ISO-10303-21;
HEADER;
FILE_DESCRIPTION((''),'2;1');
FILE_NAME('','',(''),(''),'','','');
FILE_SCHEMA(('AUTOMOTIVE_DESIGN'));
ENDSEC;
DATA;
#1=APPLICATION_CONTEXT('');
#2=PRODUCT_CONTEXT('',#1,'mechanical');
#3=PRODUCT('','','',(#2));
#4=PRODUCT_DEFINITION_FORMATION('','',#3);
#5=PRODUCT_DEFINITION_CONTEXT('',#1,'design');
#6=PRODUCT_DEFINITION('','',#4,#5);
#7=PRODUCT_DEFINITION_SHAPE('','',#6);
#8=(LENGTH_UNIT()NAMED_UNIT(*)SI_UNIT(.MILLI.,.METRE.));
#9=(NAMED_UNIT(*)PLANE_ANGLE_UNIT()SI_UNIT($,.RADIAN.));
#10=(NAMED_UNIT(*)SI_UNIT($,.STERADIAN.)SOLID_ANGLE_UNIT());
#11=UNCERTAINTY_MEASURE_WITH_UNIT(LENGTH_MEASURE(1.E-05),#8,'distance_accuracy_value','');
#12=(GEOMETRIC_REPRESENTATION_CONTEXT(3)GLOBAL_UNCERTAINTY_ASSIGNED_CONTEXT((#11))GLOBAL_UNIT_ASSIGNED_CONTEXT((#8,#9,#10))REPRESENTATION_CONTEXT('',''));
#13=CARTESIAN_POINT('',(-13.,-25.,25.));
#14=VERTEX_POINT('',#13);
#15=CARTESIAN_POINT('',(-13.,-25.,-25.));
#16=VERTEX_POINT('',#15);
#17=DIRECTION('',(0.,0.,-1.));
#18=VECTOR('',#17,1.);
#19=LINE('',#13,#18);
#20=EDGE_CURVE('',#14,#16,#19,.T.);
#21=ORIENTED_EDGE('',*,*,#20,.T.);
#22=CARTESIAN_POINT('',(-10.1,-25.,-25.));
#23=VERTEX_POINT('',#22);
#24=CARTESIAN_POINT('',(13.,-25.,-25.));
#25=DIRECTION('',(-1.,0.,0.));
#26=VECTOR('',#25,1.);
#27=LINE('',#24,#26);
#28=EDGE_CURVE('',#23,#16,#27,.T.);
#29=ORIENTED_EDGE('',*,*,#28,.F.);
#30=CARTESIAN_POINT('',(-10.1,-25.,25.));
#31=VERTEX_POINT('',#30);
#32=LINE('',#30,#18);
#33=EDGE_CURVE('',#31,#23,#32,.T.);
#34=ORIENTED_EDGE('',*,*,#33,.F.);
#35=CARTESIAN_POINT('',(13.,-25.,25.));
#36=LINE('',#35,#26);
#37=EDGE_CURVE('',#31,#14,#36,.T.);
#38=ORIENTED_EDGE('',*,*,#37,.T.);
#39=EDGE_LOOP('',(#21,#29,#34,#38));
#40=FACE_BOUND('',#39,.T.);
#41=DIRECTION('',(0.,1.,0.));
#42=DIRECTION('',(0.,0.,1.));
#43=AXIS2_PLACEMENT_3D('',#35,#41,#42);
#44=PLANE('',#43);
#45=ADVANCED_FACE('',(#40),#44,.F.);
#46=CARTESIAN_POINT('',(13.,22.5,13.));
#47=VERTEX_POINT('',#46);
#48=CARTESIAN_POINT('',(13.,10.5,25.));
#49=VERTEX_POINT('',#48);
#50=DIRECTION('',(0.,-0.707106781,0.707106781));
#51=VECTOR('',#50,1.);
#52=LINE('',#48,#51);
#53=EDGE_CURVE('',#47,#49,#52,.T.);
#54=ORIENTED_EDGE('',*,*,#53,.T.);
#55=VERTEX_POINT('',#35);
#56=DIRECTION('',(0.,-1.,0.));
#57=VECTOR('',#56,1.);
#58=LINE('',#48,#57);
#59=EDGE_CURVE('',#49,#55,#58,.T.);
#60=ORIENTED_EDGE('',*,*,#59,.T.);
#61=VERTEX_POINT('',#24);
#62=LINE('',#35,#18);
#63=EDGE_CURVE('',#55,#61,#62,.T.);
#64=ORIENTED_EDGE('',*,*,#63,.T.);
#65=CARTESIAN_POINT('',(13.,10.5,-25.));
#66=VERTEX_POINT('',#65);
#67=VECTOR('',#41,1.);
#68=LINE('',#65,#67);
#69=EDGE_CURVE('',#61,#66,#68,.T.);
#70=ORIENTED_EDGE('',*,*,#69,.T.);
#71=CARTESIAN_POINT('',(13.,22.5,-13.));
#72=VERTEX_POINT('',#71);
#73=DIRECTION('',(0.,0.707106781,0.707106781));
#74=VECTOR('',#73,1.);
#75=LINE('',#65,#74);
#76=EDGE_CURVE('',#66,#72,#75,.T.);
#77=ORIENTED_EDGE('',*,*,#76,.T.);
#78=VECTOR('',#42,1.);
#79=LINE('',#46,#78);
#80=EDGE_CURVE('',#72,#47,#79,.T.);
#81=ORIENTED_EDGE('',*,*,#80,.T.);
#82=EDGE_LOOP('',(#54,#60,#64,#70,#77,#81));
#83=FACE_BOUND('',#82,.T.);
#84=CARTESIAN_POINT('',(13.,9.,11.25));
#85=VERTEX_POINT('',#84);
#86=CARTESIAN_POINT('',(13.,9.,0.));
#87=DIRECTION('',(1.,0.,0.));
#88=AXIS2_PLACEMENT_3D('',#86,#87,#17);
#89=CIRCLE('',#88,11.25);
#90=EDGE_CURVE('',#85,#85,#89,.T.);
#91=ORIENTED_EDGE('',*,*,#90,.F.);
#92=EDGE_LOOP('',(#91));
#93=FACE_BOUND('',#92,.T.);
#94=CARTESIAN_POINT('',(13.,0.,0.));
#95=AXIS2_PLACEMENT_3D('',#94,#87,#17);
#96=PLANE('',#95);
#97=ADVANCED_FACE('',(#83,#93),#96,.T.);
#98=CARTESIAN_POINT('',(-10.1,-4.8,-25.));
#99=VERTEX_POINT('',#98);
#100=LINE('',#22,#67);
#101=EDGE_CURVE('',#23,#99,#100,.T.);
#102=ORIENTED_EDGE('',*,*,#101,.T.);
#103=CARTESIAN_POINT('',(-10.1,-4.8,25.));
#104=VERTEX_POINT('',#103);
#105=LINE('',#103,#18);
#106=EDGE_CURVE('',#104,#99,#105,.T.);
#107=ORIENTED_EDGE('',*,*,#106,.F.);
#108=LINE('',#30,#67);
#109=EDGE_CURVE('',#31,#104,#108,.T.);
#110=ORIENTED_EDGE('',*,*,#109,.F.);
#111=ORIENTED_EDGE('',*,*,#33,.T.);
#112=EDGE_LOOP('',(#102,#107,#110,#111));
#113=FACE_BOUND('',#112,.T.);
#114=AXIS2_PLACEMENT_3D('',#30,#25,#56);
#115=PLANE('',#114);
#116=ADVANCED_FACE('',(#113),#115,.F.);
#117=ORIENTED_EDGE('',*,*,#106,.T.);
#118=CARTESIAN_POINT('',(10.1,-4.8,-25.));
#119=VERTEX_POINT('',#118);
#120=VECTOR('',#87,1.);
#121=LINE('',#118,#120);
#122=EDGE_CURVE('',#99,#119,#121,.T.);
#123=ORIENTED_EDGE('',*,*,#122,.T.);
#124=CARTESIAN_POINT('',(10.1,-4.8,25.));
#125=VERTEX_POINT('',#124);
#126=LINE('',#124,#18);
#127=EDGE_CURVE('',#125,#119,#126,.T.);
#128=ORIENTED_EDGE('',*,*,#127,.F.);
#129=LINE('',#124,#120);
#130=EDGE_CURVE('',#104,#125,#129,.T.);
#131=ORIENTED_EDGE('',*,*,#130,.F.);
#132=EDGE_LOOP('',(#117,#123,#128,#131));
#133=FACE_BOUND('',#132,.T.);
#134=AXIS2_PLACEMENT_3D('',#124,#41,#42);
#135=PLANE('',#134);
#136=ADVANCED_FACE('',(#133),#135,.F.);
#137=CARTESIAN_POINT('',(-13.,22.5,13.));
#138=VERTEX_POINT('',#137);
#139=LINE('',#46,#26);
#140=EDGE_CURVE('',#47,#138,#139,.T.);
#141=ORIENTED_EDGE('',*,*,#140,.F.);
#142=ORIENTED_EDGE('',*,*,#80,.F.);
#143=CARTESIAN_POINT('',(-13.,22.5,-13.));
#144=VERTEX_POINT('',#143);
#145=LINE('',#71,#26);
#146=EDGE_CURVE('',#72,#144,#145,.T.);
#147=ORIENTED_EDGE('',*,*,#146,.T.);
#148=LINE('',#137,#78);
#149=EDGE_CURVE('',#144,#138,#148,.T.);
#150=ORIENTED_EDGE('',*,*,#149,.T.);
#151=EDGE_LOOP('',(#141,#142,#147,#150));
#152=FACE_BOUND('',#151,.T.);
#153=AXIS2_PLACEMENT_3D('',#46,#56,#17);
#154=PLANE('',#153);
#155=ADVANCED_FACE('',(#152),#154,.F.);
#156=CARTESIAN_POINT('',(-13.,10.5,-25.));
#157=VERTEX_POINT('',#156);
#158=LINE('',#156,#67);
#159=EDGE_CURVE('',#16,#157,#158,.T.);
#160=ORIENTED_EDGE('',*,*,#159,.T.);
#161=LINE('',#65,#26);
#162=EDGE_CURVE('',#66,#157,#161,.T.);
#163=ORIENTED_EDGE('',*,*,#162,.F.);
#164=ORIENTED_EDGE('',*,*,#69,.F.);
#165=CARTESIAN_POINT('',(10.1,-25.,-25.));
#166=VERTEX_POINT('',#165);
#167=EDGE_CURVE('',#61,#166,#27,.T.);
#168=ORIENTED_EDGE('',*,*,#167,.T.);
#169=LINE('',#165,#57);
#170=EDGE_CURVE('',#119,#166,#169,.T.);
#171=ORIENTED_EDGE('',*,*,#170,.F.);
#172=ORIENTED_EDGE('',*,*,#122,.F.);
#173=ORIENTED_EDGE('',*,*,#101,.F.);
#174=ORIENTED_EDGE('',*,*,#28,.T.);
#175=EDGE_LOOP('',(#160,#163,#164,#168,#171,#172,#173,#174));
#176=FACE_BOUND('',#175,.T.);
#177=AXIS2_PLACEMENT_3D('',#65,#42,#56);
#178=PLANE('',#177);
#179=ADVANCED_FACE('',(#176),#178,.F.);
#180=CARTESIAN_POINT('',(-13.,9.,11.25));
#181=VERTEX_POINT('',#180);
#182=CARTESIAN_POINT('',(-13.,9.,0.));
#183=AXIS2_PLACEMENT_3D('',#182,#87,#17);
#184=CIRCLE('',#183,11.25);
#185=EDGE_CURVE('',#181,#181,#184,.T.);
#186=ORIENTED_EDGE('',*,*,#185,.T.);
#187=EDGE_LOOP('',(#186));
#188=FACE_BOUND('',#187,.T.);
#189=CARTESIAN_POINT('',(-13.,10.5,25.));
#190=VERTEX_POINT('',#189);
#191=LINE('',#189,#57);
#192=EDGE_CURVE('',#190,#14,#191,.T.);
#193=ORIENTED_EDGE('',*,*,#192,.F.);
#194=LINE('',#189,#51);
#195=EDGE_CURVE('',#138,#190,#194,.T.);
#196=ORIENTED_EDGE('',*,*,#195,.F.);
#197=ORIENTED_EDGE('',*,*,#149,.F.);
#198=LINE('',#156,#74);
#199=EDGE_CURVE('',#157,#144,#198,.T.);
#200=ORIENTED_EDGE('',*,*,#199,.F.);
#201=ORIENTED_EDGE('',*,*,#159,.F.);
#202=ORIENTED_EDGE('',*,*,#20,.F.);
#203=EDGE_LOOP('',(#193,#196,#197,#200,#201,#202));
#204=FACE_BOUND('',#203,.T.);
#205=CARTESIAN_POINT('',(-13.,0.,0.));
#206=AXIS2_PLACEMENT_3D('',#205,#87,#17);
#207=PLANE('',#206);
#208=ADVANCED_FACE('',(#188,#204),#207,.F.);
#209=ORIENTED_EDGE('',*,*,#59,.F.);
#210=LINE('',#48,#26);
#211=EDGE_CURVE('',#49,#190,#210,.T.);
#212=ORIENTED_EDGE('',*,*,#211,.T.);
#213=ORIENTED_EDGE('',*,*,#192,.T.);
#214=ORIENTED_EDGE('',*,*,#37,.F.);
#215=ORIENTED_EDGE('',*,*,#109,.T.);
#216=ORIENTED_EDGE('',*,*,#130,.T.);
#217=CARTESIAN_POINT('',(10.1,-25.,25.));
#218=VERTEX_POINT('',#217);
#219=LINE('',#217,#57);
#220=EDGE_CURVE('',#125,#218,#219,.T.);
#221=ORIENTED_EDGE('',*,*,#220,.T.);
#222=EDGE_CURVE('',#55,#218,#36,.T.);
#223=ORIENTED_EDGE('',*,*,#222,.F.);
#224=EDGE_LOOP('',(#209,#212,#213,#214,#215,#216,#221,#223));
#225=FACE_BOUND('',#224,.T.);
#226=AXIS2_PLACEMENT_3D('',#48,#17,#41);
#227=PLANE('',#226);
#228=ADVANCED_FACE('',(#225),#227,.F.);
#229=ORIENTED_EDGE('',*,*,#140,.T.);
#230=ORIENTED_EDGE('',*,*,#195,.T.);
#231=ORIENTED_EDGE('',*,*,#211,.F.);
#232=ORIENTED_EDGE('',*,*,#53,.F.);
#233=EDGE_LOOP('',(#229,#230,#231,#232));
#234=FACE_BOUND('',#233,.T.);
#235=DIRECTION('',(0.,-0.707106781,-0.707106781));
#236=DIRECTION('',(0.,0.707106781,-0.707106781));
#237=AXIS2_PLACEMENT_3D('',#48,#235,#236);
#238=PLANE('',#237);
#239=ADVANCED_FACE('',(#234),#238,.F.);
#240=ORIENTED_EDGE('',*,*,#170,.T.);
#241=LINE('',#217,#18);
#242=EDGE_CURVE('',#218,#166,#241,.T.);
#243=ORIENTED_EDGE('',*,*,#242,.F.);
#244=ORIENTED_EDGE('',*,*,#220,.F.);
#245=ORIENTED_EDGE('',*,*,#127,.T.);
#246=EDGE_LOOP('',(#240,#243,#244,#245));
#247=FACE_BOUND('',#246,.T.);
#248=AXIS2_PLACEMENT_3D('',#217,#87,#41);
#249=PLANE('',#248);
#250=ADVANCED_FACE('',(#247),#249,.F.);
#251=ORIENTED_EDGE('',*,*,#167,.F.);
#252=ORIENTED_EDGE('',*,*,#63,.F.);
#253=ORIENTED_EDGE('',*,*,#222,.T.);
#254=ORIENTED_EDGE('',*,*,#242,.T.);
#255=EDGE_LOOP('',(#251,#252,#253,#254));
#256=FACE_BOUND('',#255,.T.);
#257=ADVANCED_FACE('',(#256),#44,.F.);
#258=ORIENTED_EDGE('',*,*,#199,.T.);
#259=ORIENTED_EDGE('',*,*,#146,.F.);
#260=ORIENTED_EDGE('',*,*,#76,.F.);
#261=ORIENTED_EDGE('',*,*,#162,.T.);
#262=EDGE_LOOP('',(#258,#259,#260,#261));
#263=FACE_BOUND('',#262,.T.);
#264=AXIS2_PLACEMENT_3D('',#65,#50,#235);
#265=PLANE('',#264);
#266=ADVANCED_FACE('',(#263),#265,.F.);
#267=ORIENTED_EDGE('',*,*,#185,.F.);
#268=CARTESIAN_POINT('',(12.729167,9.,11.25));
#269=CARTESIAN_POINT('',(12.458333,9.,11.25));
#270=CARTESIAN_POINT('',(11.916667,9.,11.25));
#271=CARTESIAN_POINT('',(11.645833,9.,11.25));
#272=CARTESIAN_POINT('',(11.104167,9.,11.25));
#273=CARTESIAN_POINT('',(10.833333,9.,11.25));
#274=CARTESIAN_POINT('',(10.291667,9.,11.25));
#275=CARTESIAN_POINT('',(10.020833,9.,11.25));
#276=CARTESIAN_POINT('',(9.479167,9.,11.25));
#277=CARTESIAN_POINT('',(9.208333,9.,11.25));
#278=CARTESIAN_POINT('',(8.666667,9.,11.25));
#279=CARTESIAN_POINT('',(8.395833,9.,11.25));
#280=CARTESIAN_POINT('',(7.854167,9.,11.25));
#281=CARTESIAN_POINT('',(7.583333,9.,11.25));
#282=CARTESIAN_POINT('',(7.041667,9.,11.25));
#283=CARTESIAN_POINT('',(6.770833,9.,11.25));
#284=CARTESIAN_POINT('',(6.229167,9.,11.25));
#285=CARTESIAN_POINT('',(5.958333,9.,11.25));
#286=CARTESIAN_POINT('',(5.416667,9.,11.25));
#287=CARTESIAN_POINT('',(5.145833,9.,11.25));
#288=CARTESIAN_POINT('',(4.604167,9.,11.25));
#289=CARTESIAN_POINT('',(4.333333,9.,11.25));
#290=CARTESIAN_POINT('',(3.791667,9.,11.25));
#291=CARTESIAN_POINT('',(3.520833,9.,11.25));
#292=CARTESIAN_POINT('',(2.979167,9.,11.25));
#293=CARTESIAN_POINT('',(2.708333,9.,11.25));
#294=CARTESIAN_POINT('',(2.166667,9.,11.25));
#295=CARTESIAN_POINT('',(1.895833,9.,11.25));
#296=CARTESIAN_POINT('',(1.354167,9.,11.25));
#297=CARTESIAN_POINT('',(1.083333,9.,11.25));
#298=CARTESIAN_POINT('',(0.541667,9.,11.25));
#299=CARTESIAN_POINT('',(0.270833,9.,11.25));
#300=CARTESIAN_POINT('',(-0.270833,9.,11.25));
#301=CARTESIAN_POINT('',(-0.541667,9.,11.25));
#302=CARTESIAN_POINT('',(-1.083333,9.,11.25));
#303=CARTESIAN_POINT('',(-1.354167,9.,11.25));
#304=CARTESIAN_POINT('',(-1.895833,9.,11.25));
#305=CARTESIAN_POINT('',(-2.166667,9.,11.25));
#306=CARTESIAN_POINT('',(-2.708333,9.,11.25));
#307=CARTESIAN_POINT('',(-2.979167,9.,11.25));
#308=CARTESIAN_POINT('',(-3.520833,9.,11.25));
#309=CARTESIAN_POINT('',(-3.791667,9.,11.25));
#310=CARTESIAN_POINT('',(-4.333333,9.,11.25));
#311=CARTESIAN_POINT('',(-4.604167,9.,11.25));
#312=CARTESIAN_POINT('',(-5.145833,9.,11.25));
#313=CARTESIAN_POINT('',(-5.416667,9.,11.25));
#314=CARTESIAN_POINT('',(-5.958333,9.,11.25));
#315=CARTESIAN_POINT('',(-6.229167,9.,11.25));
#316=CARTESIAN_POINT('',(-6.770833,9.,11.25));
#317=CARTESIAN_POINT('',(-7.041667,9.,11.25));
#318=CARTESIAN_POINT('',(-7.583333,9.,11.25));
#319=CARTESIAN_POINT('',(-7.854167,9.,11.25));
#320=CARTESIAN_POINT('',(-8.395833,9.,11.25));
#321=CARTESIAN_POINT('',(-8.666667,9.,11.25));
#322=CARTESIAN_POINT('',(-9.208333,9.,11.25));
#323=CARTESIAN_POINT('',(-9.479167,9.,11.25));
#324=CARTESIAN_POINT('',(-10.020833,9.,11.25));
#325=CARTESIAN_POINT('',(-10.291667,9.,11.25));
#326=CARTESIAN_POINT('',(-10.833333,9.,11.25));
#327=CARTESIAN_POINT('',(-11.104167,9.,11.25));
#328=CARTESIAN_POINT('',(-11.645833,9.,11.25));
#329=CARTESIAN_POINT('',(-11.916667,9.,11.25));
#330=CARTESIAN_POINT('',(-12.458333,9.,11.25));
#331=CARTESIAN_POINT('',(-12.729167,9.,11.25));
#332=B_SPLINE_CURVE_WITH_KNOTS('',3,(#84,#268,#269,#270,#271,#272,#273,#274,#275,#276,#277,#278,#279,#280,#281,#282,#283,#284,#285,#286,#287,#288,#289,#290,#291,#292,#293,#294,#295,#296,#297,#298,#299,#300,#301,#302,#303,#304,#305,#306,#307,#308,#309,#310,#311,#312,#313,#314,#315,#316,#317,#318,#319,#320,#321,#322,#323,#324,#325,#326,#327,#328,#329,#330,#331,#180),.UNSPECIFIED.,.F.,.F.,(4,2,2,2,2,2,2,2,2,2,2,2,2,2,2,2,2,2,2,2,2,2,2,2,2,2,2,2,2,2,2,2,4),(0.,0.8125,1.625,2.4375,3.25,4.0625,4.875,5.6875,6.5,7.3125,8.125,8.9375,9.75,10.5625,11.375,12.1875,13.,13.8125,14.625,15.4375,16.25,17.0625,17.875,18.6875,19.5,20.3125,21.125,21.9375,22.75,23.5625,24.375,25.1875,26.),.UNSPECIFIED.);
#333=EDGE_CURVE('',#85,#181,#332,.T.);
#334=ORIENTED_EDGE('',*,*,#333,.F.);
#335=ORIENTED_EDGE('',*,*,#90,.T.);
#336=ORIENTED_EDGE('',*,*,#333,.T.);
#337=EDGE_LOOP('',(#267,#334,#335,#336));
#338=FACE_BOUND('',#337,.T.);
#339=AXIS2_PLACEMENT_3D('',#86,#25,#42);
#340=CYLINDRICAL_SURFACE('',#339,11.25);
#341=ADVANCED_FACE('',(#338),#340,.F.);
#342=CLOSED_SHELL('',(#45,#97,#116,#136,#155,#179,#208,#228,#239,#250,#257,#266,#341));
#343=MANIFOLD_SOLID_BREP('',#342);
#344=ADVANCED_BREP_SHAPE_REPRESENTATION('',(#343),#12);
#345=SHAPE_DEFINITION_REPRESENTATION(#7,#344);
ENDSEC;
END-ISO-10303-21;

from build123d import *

# Parameters (mm, degrees)
SKETCH_1_R          = 11.25
EXTRUDE_1_DEPTH     = 13
SKETCH_2_W          = 20.2
SKETCH_2_H          = 20.2
CUT_EXTRUDE_1_DEPTH = 58.393379409


with BuildPart() as part:
    # Эскиз1 → Бобышка-Вытянуть1 (new, symmetric)
    with BuildSketch(Plane(origin=(0, 0, 0), x_dir=(0, 0, -1), z_dir=(1, 0, 0))):
        Polygon((-25, -25), (25, -25), (25, 10.5), (13, 22.5), (-13, 22.5), (-25, 10.5), align=None)
        with Locations(Location((0, 9, 0), (0, 0, 180))):
            Circle(SKETCH_1_R, mode=Mode.SUBTRACT)
    extrude(amount=EXTRUDE_1_DEPTH, both=True)

    # Эскиз2 → Вырез-Вытянуть1 (cut, through all)
    with BuildSketch(Plane(origin=(0, 0, -25), x_dir=(-1, 0, 0), z_dir=(0, 0, -1))):
        with Locations((0, -14.9)):
            Rectangle(SKETCH_2_W, SKETCH_2_H)
    extrude(amount=-CUT_EXTRUDE_1_DEPTH, mode=Mode.SUBTRACT)


solid = part.part
